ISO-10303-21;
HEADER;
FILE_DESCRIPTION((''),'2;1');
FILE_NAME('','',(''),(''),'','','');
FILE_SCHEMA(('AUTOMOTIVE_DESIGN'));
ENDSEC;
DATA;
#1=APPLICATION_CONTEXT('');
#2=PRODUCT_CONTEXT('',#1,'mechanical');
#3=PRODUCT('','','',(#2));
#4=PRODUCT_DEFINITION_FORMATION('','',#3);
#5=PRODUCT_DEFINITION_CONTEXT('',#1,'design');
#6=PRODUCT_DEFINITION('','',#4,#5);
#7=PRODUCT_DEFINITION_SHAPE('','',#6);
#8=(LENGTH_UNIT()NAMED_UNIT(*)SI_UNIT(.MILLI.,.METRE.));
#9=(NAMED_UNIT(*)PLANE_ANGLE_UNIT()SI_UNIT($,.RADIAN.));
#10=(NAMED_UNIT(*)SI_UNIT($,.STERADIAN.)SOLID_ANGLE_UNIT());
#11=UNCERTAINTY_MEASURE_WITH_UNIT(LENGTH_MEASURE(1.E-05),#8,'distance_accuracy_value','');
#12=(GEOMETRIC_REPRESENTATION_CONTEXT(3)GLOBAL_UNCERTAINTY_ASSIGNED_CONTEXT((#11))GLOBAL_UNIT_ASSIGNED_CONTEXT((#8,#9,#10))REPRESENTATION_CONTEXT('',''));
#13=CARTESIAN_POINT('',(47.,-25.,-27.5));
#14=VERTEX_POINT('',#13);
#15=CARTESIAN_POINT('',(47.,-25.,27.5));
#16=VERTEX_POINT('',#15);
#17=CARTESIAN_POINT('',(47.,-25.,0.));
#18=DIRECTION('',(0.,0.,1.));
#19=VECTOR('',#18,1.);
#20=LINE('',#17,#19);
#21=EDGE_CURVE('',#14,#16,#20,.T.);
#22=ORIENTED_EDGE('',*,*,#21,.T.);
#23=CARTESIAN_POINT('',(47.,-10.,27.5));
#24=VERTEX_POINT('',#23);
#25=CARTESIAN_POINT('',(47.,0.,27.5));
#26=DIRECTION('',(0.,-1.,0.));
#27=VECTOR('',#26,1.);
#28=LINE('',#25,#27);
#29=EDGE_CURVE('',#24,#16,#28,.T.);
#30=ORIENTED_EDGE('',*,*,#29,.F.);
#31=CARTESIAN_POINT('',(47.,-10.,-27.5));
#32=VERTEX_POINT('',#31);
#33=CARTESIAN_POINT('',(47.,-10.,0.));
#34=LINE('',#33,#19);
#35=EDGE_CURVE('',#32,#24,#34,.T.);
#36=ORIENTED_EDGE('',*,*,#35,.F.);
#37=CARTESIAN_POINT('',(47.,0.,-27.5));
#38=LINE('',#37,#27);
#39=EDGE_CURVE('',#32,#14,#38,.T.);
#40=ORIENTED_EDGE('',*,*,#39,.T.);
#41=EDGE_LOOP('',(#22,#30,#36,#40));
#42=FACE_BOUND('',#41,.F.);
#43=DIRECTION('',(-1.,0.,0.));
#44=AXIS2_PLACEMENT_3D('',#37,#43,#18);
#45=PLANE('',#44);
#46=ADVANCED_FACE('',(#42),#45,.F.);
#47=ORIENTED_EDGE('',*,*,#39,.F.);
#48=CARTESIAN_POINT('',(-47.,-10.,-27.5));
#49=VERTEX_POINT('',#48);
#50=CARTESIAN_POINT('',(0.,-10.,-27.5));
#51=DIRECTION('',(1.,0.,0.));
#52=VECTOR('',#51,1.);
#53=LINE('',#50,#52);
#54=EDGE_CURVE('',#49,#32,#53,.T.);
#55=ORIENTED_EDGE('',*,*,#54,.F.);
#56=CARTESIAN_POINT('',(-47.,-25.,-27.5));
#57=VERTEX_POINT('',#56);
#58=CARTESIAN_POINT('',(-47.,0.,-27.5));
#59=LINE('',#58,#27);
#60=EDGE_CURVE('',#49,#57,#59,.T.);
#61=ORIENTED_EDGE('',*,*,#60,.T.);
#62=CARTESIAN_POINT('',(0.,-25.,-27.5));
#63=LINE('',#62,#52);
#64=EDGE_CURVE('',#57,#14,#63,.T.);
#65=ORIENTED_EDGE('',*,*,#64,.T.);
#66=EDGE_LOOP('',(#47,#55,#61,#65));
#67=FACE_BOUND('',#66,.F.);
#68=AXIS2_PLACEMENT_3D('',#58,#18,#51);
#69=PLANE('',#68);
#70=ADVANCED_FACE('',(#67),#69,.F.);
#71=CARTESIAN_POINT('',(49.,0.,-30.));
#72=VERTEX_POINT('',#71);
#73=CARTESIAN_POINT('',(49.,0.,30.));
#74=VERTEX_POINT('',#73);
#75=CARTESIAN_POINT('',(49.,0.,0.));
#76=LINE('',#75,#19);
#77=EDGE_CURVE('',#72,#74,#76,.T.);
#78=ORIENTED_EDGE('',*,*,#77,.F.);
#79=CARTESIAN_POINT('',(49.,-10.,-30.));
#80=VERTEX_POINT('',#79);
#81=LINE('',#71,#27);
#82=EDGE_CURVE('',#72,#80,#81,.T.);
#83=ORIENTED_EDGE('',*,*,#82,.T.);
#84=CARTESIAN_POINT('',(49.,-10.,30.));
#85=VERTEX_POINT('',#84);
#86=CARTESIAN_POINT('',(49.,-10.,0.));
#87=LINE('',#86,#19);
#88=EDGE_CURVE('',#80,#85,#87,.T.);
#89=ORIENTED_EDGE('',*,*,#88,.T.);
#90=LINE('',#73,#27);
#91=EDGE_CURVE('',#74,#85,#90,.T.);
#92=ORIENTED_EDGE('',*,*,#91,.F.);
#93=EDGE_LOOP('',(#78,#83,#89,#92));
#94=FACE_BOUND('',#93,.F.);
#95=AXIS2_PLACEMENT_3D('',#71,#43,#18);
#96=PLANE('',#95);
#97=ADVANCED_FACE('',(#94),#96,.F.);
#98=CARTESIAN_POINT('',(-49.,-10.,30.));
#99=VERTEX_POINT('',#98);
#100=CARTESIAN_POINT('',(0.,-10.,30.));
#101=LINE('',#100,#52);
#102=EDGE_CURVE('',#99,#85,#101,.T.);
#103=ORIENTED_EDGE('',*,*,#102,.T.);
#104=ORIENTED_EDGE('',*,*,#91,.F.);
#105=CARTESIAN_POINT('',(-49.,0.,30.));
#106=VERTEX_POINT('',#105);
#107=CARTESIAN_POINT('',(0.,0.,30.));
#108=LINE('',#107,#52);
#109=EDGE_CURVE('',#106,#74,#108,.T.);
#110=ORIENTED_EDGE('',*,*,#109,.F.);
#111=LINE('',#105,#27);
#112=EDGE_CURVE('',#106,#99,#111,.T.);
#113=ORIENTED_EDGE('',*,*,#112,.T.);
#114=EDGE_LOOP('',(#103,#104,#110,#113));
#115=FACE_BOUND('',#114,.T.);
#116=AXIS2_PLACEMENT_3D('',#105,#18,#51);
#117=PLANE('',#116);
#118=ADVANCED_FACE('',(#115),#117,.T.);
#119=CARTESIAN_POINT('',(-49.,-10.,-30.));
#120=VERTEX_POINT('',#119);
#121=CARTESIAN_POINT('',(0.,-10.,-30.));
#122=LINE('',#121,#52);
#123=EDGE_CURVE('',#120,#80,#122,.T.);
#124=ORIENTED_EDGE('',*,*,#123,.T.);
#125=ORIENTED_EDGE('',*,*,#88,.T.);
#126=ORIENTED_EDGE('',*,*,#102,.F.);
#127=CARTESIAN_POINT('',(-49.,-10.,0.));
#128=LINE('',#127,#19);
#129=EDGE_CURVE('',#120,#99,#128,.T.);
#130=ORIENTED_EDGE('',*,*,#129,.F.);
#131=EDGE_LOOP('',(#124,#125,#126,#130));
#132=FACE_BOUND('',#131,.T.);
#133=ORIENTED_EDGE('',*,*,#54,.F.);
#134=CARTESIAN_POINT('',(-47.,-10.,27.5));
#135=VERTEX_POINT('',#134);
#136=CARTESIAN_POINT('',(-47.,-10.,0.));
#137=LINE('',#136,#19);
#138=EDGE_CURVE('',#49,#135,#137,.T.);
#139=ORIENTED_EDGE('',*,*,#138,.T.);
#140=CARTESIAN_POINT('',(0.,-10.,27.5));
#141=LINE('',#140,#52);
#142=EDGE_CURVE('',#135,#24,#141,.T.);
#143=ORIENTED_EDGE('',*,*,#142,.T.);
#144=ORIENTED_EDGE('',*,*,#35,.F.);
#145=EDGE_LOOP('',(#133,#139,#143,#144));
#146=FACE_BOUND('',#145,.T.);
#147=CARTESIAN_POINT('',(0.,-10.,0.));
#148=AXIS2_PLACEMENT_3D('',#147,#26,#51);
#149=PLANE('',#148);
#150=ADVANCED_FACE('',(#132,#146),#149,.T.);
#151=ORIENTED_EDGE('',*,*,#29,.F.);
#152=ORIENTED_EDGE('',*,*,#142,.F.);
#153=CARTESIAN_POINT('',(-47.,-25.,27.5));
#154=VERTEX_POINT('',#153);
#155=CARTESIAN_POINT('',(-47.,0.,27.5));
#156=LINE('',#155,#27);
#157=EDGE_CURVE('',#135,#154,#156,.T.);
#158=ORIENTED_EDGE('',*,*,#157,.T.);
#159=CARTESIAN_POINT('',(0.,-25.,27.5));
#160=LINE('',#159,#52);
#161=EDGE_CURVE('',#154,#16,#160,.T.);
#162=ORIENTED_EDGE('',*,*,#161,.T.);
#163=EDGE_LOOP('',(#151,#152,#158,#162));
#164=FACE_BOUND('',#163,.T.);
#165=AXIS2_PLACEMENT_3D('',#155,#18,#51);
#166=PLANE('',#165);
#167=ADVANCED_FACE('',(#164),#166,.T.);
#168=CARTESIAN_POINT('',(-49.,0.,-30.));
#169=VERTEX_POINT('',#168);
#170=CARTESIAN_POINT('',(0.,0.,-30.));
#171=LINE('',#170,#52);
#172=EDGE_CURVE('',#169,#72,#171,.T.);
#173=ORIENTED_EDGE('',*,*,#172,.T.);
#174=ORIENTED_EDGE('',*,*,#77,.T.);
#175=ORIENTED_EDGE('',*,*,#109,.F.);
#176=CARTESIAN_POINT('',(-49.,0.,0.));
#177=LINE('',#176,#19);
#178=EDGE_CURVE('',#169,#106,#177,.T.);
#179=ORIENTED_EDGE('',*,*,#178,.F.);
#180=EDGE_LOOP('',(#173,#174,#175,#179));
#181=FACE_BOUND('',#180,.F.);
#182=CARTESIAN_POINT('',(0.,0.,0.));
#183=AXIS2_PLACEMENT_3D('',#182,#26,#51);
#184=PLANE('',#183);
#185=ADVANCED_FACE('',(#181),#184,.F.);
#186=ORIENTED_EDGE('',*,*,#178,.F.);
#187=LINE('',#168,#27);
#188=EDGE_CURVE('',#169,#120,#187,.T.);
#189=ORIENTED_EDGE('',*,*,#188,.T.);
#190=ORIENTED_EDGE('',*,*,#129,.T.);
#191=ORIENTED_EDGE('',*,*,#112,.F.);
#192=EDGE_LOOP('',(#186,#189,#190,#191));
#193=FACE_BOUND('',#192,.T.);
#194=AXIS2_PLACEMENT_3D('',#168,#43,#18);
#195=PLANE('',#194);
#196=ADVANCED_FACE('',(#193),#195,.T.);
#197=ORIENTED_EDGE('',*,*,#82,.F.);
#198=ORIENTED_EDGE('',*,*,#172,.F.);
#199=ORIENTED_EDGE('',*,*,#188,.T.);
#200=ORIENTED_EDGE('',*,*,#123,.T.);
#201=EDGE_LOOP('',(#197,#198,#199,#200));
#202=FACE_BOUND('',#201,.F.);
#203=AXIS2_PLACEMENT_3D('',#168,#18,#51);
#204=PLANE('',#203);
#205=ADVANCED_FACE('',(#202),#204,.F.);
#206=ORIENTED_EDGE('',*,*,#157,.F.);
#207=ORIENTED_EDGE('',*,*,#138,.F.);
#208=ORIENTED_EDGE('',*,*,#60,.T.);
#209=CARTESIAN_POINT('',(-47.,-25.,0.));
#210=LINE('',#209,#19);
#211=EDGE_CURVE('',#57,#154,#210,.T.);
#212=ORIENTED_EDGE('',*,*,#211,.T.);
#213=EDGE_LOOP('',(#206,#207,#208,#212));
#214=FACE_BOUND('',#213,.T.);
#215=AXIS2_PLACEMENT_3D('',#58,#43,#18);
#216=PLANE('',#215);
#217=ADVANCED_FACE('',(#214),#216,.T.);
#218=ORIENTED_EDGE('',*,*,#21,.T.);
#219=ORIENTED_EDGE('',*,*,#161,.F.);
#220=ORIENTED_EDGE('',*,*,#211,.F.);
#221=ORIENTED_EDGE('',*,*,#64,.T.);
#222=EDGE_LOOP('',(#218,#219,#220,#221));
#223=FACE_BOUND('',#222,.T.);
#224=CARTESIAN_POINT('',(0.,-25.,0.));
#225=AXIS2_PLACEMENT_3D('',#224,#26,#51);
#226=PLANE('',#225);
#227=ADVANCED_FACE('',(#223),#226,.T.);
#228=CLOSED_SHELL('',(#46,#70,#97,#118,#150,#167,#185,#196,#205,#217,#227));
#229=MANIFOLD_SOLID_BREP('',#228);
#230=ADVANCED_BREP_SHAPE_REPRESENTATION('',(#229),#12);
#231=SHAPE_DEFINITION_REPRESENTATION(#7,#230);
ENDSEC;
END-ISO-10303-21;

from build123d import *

# Parameters (mm, degrees)
F0_W     = 94
F0_H     = 55
F1_DEPTH = 25
F0_W_2   = 98
F0_H_2   = 60
F2_DEPTH = 10


with BuildPart() as f1:
    # F0 (on Front) → F1 (new body)
    with BuildSketch(Plane.XZ):
        Rectangle(F0_W, F0_H)
    extrude(amount=F1_DEPTH)

    # F0 (on Front) → F2 (join)
    with BuildSketch(Plane.XZ):
        Rectangle(F0_W_2, F0_H_2)
        Rectangle(F0_W, F0_H, mode=Mode.SUBTRACT)
    extrude(amount=F2_DEPTH)


solid = f1.part
